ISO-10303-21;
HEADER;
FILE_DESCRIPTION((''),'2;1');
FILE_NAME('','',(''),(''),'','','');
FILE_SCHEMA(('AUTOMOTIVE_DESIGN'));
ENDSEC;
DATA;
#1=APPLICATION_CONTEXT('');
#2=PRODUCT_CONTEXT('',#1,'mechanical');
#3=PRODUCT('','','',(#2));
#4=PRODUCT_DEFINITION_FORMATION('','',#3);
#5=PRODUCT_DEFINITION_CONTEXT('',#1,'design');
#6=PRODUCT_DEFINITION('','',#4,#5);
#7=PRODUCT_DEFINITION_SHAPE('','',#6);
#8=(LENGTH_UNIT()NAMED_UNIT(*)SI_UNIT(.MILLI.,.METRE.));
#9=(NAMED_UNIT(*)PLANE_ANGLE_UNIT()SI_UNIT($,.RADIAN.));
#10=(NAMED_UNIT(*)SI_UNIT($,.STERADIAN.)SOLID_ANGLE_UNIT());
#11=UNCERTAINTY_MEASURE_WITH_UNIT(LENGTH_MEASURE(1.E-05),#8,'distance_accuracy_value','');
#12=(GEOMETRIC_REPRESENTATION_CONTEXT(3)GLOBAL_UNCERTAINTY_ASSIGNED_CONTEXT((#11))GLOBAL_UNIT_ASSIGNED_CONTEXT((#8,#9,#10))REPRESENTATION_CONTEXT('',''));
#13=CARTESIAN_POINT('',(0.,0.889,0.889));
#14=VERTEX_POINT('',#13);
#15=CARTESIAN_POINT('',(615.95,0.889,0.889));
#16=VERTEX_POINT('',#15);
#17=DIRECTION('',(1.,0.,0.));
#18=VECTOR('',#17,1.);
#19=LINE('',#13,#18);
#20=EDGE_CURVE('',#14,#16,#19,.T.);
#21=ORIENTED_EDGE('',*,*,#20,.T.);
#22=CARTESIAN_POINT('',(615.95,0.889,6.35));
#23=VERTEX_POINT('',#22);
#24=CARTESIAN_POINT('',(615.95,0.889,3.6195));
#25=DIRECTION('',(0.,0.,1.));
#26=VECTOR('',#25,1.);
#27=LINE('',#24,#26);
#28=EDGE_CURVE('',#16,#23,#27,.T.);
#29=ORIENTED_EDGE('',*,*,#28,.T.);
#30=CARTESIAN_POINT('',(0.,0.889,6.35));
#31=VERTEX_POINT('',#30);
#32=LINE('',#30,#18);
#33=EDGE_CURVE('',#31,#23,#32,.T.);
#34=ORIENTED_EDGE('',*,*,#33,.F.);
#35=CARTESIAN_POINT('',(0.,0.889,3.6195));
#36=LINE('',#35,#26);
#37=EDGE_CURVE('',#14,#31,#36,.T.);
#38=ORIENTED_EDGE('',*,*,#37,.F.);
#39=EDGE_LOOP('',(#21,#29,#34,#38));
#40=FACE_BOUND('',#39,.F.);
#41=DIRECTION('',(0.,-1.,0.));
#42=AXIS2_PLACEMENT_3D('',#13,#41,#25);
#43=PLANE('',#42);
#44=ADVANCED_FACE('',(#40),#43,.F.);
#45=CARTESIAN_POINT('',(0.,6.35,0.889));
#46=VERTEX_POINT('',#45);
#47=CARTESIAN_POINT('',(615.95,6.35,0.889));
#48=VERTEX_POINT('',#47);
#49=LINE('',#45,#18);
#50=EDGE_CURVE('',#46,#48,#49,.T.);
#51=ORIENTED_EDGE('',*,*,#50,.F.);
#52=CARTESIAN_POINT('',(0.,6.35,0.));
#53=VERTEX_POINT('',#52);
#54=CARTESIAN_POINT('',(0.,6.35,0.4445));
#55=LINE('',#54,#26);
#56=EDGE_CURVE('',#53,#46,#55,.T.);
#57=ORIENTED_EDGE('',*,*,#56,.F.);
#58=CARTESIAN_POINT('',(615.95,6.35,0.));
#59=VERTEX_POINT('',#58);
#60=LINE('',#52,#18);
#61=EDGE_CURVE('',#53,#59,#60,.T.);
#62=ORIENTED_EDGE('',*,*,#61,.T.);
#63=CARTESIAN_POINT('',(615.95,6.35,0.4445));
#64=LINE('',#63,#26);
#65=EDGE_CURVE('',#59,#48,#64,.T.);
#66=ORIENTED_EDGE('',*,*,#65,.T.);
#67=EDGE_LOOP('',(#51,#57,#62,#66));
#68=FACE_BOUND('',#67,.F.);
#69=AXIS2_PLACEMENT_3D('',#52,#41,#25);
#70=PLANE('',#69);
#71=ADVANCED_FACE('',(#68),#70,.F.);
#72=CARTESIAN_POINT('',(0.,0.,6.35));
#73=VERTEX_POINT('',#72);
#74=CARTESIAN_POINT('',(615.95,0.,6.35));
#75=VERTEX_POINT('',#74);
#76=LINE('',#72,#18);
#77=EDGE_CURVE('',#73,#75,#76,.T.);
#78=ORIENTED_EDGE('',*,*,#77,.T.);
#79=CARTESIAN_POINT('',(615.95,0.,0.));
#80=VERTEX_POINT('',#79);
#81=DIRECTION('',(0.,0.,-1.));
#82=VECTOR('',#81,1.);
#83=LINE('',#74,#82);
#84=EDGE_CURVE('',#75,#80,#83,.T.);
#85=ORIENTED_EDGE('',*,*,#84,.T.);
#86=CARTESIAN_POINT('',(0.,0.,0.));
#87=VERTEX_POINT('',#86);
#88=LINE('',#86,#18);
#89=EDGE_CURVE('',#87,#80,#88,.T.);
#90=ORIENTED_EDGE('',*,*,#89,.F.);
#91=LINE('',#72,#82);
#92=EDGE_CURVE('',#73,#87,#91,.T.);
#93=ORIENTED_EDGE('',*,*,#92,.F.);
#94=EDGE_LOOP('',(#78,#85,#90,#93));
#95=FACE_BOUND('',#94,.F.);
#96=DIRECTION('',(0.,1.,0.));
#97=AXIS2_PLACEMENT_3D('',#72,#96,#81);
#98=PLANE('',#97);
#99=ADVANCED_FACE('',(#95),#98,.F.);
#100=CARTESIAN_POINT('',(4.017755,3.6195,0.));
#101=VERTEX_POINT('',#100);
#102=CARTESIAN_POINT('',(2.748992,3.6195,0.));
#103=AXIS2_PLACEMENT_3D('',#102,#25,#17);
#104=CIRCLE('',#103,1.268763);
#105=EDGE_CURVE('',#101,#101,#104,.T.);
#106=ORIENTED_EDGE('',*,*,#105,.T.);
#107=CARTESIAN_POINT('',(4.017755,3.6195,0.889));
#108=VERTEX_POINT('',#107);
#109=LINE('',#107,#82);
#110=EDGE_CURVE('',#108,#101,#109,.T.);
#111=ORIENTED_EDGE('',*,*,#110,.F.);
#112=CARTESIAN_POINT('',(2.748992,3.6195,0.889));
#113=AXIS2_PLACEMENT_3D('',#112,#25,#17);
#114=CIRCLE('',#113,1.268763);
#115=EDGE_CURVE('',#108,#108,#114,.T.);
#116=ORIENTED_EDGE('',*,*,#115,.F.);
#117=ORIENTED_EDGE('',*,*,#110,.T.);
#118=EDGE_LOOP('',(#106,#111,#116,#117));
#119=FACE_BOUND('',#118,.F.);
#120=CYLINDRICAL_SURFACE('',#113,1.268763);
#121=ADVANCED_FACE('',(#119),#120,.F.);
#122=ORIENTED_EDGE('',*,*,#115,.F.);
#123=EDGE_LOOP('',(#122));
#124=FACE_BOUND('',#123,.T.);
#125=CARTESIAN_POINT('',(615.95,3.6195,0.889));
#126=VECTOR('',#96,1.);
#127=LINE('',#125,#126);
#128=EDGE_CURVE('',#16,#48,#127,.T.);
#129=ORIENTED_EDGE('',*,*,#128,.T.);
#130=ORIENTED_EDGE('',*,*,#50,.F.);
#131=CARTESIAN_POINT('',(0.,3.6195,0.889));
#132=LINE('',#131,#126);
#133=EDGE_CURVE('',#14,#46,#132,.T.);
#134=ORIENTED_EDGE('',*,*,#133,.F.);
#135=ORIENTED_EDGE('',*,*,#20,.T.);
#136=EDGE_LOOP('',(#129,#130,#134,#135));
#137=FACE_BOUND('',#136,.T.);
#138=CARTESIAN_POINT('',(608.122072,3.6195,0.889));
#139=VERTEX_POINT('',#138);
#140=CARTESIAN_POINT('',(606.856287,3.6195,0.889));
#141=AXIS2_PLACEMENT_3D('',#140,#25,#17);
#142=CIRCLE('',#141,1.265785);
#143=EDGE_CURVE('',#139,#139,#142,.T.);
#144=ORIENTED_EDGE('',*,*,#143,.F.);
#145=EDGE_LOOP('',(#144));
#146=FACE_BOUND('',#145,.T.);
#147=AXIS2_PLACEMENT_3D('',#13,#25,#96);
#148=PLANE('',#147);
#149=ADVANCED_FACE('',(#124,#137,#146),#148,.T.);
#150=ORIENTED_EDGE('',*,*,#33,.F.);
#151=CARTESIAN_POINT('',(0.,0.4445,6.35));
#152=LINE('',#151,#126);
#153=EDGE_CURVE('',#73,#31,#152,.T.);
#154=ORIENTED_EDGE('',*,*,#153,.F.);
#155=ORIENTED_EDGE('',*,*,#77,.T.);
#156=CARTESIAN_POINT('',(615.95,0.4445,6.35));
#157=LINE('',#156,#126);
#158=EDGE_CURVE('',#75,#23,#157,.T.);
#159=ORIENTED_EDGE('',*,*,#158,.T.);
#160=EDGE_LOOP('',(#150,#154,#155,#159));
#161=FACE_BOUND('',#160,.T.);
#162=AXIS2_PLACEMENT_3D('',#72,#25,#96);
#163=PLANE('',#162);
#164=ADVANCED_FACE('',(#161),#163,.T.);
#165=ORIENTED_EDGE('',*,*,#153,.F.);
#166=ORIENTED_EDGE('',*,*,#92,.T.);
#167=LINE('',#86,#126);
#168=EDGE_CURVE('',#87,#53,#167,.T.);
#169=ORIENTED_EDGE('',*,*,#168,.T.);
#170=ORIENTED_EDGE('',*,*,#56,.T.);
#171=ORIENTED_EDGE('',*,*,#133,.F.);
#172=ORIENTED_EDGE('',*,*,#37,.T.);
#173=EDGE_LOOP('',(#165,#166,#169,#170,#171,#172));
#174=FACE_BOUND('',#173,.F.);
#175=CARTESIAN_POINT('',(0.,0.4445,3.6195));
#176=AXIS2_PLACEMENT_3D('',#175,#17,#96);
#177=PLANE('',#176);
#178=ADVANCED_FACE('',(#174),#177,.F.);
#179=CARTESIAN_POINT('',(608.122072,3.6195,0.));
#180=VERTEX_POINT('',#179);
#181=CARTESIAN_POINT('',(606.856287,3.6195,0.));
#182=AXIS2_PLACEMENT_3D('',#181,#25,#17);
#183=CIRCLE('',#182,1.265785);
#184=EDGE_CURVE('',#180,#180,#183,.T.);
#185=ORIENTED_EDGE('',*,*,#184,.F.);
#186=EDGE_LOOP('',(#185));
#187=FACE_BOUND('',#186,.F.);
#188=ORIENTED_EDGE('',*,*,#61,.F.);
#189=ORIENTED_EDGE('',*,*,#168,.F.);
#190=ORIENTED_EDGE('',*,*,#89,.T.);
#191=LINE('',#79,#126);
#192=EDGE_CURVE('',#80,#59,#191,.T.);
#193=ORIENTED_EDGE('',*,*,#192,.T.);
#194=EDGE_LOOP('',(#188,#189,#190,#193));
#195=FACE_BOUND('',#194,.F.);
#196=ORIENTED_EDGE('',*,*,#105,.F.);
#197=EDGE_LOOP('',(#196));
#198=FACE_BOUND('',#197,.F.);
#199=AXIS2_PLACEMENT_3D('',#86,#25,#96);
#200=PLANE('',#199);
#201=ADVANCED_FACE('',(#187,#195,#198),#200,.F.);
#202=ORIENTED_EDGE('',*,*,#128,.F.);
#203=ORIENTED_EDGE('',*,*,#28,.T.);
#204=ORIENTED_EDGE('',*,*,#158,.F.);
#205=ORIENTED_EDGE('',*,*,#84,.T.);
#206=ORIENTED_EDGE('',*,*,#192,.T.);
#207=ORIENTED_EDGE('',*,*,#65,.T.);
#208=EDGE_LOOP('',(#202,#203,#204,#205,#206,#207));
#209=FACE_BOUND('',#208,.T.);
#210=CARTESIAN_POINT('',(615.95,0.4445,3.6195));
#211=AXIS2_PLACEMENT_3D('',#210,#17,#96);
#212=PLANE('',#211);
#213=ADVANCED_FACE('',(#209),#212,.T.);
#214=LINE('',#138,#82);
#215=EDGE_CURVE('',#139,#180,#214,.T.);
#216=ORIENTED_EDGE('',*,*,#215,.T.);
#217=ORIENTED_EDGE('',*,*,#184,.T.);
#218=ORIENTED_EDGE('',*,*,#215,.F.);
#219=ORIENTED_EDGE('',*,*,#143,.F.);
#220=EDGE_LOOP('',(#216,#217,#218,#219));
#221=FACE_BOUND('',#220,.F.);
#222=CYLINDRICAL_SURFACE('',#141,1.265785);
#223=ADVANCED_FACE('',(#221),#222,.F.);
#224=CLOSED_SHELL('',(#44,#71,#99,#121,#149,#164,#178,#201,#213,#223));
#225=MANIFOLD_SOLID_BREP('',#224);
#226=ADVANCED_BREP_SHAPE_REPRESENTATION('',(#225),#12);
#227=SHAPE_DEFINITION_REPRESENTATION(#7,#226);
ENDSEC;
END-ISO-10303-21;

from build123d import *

# Parameters (mm, degrees)
F0_W     = 0.889
F0_H     = 5.461
F0_W_2   = 5.461
F0_H_2   = 0.889
F1_DEPTH = 615.95
F2_R     = 1.265785
F2_R_2   = 1.268763
F3_DEPTH = 25.4


with BuildPart() as f1:
    # F0 (on Right) → F1 (new body)
    with BuildSketch(Plane.YZ):
        with Locations((0.4445, 3.6195)):
            Rectangle(F0_W, F0_H)
        with Locations((3.6195, 0.4445)):
            Rectangle(F0_W_2, F0_H_2)
        with Locations((0.4445, 0.4445)):
            Rectangle(F0_W, F0_H_2)
    extrude(amount=F1_DEPTH)

    # F2 (on face) → F3 (cut)
    with BuildSketch(Plane.XY.offset(0.889)):
        with Locations((606.856287, 3.6195)):
            Circle(F2_R)
        with Locations((2.748992, 3.6195)):
            Circle(F2_R_2)
    extrude(amount=-F3_DEPTH, mode=Mode.SUBTRACT)


solid = f1.part
